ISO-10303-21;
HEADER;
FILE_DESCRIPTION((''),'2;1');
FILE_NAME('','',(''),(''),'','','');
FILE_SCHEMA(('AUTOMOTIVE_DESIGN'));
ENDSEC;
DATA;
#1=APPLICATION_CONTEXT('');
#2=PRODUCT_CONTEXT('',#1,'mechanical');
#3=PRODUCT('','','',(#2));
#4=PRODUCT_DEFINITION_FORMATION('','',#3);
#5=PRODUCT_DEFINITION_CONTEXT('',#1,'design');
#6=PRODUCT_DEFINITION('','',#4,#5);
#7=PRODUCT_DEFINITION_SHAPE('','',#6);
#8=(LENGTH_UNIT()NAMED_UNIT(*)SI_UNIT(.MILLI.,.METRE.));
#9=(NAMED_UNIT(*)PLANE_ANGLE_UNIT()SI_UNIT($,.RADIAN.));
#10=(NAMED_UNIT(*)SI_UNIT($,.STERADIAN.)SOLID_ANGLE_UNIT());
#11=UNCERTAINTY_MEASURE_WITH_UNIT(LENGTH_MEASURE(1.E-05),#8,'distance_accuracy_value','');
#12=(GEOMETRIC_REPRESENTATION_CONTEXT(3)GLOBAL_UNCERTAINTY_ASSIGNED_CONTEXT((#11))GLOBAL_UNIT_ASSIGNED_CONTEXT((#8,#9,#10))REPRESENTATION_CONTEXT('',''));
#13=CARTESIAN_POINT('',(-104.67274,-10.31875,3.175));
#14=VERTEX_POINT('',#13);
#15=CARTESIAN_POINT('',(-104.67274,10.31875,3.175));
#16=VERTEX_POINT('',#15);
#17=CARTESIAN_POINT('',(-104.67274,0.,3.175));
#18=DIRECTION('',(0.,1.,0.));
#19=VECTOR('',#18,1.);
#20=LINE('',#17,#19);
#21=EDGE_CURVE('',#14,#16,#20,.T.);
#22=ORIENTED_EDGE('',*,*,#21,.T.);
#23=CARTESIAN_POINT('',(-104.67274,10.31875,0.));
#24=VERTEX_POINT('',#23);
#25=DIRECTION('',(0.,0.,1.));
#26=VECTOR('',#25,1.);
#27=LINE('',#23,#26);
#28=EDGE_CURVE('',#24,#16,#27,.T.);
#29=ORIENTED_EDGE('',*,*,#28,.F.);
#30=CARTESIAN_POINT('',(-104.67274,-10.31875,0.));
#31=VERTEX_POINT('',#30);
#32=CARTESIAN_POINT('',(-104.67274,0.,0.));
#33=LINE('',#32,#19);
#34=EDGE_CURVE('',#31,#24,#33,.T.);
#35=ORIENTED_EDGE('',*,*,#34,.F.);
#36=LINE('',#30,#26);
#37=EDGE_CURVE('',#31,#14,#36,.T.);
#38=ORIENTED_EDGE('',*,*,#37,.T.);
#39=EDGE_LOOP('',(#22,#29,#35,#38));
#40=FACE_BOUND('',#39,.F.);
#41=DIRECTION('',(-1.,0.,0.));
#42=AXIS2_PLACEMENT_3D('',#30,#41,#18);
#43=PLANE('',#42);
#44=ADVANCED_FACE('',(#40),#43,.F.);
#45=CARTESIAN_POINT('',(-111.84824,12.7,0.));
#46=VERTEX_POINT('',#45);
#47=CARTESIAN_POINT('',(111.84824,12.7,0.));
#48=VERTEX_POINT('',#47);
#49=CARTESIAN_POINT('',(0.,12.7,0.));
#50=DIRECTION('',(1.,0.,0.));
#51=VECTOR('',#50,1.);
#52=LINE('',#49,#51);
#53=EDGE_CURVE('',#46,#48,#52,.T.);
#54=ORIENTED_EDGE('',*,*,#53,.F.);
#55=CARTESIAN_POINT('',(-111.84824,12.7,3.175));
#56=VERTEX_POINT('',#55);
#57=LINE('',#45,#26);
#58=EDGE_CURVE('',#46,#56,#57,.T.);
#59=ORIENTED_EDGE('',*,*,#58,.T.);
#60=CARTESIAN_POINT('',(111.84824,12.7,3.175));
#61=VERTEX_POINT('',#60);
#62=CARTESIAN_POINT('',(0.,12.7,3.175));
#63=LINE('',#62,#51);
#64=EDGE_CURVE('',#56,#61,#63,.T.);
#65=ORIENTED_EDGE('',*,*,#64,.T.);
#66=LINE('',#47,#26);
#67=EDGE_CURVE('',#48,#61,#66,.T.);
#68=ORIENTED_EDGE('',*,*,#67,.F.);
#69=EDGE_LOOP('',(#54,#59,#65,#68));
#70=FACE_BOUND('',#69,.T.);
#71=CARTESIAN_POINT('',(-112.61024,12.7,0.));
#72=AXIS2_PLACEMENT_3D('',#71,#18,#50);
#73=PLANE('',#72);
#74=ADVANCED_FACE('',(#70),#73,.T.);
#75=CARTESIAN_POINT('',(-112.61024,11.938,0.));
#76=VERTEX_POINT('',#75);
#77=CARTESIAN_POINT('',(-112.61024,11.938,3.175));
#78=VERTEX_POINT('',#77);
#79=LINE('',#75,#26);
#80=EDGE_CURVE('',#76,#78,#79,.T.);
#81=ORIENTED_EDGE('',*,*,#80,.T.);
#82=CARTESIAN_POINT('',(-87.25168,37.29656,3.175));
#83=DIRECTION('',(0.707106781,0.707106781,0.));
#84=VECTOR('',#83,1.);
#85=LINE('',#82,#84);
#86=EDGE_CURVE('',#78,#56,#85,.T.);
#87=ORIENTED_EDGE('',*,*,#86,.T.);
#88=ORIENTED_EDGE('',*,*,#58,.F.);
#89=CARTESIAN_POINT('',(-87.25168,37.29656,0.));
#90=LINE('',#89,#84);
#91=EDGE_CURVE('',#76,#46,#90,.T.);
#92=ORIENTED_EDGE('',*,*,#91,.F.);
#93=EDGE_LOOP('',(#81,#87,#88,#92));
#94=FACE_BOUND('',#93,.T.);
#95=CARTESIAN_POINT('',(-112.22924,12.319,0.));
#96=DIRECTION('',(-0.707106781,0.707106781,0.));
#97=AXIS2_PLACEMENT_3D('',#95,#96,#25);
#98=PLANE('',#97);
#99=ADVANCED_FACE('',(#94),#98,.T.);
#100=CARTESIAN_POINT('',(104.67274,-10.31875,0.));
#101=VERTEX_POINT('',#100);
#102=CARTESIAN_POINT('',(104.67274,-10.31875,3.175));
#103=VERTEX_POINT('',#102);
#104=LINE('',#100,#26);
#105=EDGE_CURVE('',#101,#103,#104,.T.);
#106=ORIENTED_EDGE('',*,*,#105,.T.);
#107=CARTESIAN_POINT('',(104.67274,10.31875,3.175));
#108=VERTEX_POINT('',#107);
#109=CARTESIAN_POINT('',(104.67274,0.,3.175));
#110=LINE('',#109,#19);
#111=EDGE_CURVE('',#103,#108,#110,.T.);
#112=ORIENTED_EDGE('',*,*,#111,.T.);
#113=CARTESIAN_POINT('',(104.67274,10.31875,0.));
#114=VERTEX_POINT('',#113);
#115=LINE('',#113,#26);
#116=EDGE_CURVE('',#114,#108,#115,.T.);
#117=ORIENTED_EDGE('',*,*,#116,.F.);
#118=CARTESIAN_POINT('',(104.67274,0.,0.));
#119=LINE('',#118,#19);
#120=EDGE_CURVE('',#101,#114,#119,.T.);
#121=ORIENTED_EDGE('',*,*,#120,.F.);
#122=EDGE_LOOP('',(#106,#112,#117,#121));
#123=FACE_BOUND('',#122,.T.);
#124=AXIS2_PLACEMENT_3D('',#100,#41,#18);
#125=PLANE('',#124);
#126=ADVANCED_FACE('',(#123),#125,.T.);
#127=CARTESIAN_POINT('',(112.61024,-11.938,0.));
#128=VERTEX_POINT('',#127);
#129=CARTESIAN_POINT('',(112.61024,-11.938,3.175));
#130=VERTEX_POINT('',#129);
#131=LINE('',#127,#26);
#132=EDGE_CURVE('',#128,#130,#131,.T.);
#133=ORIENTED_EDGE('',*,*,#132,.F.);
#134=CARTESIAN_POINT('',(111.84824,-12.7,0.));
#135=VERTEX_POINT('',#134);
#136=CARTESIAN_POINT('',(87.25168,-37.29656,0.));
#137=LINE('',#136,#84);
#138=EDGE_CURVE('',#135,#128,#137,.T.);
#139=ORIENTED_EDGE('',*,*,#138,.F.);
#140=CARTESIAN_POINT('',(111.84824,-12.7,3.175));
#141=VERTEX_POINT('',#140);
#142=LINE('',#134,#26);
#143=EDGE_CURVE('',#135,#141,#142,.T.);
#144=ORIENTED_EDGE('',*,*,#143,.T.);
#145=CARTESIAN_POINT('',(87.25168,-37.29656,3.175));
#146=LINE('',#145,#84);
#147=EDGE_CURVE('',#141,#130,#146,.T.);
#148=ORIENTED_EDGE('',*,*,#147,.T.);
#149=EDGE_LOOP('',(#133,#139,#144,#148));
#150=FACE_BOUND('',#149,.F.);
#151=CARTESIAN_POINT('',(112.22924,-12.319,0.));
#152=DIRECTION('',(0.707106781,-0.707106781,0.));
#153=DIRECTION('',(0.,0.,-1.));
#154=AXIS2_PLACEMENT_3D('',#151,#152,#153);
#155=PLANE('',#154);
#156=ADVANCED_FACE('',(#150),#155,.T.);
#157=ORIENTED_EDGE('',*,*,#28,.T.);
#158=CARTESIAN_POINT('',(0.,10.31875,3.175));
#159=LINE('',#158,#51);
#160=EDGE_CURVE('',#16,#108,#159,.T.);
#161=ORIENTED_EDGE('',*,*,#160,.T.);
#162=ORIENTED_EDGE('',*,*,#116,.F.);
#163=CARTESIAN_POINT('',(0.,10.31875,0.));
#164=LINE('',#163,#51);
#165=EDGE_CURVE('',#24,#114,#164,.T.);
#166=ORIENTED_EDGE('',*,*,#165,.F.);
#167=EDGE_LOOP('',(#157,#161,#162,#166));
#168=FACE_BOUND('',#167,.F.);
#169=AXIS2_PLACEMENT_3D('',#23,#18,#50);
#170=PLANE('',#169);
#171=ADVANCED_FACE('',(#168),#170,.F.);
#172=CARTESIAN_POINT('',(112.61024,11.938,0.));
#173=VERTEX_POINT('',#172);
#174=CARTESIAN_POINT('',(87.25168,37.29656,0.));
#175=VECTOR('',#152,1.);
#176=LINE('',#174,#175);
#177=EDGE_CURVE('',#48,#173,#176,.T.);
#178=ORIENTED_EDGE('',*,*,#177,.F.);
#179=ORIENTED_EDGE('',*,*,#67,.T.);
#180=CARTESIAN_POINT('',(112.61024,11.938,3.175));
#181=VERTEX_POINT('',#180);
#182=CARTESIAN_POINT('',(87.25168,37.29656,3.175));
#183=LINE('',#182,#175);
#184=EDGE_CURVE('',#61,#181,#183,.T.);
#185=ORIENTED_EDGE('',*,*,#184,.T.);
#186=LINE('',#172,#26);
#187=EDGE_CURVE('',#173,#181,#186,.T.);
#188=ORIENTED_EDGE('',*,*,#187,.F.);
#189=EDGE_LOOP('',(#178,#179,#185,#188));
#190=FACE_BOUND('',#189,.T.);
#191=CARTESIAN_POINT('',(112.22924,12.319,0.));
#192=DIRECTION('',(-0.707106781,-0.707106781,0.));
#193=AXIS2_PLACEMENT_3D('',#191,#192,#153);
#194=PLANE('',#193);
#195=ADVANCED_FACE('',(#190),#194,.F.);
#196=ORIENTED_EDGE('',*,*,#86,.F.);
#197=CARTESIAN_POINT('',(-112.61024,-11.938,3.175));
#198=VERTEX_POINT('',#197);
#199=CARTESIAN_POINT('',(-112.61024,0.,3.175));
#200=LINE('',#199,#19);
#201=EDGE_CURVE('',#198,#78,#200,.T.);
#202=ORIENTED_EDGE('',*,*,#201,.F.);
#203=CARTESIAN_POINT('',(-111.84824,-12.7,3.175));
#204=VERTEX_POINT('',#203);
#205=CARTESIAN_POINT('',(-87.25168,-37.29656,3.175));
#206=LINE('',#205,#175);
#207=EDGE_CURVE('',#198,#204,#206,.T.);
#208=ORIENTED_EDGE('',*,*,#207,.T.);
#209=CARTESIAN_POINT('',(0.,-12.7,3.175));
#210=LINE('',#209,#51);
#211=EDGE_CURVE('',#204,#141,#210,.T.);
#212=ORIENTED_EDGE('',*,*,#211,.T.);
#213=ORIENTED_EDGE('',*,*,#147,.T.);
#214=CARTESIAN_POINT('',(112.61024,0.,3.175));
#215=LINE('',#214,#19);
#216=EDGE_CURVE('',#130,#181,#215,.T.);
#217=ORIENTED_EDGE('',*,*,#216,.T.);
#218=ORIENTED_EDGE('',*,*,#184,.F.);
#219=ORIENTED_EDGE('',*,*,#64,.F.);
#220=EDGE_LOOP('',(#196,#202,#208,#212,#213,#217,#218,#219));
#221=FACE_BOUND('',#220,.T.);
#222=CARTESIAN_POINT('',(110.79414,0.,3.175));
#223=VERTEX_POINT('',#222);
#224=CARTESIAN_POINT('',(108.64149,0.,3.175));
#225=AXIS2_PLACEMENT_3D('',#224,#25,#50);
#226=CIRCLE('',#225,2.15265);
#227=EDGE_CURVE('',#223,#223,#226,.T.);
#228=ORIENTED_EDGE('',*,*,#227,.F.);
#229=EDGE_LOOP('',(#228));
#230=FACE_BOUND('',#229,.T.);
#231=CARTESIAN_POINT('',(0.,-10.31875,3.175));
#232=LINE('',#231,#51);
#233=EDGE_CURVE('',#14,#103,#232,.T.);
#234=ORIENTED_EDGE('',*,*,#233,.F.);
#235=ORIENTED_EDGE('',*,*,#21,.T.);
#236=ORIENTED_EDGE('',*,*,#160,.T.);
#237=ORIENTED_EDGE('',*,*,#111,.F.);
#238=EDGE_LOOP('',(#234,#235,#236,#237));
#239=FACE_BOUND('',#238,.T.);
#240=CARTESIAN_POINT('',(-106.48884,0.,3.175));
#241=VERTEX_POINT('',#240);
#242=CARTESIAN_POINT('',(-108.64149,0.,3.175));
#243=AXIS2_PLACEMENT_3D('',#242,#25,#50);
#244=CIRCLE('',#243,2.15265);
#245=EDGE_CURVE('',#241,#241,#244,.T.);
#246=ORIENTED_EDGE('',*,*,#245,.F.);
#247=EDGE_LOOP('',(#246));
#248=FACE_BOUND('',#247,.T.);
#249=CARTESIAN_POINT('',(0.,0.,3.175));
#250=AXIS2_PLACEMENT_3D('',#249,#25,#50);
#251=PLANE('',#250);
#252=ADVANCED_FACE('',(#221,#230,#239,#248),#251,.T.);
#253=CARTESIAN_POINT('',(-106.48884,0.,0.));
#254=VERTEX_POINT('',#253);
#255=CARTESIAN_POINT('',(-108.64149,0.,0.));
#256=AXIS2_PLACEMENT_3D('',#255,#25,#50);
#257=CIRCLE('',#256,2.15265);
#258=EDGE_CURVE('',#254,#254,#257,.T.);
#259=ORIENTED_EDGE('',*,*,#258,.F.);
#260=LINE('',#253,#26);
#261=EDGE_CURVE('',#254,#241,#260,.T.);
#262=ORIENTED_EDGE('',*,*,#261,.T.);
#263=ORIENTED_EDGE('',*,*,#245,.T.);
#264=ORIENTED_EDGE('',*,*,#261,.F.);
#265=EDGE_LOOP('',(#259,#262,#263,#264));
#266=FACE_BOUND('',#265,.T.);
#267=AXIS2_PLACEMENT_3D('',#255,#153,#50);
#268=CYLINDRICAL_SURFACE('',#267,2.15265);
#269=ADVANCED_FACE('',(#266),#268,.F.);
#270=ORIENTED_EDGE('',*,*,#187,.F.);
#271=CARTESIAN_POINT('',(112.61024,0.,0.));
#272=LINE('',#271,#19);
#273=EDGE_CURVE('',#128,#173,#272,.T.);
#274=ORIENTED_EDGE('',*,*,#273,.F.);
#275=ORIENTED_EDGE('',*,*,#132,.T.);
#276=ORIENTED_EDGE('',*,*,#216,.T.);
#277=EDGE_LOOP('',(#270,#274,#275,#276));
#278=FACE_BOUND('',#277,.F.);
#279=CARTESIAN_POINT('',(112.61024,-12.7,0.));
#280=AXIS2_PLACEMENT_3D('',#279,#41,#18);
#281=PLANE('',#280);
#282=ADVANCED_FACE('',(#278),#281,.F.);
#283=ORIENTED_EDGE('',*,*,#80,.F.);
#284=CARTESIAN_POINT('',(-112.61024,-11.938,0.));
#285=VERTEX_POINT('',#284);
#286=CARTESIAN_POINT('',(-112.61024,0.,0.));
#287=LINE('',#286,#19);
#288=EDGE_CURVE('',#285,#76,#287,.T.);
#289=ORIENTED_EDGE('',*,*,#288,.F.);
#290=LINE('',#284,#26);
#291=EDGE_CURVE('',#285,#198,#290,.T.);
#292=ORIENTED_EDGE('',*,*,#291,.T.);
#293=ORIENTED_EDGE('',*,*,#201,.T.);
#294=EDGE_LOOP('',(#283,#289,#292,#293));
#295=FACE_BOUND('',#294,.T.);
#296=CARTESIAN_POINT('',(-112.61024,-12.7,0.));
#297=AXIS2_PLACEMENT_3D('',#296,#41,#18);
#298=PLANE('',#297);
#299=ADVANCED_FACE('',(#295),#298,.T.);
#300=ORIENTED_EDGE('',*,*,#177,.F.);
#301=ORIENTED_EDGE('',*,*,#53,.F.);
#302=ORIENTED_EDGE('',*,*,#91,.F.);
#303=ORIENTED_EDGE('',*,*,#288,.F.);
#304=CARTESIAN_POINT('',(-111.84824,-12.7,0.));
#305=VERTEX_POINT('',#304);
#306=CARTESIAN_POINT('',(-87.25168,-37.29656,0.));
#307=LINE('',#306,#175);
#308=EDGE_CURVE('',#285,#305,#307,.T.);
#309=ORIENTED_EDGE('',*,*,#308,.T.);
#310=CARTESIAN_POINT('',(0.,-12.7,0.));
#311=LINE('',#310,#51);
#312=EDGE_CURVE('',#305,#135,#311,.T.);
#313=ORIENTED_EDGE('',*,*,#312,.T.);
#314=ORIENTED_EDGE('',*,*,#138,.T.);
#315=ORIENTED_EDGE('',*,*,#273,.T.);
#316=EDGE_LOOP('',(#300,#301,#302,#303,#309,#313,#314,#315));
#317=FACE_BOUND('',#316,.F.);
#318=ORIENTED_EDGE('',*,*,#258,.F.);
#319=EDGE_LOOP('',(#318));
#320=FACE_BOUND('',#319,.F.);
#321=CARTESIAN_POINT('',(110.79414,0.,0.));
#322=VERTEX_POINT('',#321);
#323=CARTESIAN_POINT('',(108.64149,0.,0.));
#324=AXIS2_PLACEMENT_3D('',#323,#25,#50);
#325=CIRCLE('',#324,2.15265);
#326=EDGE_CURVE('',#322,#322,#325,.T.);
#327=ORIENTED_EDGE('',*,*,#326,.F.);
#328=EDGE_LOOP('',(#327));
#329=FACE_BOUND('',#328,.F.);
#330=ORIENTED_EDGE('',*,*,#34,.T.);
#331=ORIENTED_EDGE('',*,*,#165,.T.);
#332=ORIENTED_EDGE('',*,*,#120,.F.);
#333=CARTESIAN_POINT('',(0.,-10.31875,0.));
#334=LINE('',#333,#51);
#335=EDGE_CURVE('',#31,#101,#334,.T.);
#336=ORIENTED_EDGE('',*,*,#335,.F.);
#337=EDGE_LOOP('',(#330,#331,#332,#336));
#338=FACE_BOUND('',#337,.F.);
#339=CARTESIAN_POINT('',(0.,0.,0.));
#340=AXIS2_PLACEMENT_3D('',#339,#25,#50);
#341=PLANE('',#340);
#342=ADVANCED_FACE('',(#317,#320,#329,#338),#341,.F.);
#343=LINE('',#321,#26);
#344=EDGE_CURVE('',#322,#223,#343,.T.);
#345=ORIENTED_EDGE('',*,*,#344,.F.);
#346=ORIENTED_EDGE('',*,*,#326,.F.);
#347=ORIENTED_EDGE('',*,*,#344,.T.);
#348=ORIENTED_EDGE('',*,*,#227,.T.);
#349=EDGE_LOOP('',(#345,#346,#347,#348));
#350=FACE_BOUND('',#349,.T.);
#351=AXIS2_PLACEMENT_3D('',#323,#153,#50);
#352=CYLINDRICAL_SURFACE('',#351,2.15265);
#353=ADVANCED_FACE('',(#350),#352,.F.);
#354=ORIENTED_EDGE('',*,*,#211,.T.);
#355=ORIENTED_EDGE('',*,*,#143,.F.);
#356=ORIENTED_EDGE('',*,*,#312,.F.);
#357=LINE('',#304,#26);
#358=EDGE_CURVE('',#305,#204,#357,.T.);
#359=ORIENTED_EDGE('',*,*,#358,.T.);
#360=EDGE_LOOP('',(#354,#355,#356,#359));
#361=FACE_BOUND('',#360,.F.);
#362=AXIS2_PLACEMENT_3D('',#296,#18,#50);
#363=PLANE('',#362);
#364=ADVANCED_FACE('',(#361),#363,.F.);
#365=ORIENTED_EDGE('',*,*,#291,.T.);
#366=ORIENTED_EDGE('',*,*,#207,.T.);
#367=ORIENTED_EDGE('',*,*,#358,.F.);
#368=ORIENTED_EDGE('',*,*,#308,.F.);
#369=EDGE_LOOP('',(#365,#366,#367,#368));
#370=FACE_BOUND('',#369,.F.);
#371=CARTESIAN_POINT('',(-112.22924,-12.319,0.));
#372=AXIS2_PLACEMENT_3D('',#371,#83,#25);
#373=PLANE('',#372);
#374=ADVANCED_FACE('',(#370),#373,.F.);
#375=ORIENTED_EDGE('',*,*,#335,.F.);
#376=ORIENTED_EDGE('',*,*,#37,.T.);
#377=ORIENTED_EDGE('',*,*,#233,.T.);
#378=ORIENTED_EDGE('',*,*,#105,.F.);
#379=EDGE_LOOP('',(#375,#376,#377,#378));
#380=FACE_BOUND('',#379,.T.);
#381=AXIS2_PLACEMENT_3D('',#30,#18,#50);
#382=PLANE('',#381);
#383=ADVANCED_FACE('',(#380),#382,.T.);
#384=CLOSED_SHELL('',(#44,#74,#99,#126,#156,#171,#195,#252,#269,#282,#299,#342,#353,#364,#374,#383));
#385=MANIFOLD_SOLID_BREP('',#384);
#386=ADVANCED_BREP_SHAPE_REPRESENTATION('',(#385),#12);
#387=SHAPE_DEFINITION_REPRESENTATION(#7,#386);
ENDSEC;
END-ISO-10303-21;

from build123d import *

# Parameters (mm, degrees)
F0_W     = 225.22048
F0_H     = 25.4
F0_R     = 2.15265
F0_W_2   = 209.34548
F0_H_2   = 20.6375
F1_DEPTH = 3.175
F2_SIZE  = 0.762


with BuildPart() as f1:
    # F0 (on Top) → F1 (new body)
    with BuildSketch(Plane.XY):
        Rectangle(F0_W, F0_H)
        with Locations((-108.64149, 0)):
            Circle(F0_R, mode=Mode.SUBTRACT)
        Rectangle(F0_W_2, F0_H_2, mode=Mode.SUBTRACT)
        with Locations((108.64149, 0)):
            Circle(F0_R, mode=Mode.SUBTRACT)
    extrude(amount=F1_DEPTH)

    # F2
    f2_edges = [f1.edges().sort_by_distance(p)[0] for p in [
        (-112.61024, -12.7, 1.5875),
        (-112.61024, 12.7, 1.5875),
        (112.61024, -12.7, 1.5875),
        (112.61024, 12.7, 1.5875),
    ]]
    chamfer(f2_edges, length=F2_SIZE)


solid = f1.part
